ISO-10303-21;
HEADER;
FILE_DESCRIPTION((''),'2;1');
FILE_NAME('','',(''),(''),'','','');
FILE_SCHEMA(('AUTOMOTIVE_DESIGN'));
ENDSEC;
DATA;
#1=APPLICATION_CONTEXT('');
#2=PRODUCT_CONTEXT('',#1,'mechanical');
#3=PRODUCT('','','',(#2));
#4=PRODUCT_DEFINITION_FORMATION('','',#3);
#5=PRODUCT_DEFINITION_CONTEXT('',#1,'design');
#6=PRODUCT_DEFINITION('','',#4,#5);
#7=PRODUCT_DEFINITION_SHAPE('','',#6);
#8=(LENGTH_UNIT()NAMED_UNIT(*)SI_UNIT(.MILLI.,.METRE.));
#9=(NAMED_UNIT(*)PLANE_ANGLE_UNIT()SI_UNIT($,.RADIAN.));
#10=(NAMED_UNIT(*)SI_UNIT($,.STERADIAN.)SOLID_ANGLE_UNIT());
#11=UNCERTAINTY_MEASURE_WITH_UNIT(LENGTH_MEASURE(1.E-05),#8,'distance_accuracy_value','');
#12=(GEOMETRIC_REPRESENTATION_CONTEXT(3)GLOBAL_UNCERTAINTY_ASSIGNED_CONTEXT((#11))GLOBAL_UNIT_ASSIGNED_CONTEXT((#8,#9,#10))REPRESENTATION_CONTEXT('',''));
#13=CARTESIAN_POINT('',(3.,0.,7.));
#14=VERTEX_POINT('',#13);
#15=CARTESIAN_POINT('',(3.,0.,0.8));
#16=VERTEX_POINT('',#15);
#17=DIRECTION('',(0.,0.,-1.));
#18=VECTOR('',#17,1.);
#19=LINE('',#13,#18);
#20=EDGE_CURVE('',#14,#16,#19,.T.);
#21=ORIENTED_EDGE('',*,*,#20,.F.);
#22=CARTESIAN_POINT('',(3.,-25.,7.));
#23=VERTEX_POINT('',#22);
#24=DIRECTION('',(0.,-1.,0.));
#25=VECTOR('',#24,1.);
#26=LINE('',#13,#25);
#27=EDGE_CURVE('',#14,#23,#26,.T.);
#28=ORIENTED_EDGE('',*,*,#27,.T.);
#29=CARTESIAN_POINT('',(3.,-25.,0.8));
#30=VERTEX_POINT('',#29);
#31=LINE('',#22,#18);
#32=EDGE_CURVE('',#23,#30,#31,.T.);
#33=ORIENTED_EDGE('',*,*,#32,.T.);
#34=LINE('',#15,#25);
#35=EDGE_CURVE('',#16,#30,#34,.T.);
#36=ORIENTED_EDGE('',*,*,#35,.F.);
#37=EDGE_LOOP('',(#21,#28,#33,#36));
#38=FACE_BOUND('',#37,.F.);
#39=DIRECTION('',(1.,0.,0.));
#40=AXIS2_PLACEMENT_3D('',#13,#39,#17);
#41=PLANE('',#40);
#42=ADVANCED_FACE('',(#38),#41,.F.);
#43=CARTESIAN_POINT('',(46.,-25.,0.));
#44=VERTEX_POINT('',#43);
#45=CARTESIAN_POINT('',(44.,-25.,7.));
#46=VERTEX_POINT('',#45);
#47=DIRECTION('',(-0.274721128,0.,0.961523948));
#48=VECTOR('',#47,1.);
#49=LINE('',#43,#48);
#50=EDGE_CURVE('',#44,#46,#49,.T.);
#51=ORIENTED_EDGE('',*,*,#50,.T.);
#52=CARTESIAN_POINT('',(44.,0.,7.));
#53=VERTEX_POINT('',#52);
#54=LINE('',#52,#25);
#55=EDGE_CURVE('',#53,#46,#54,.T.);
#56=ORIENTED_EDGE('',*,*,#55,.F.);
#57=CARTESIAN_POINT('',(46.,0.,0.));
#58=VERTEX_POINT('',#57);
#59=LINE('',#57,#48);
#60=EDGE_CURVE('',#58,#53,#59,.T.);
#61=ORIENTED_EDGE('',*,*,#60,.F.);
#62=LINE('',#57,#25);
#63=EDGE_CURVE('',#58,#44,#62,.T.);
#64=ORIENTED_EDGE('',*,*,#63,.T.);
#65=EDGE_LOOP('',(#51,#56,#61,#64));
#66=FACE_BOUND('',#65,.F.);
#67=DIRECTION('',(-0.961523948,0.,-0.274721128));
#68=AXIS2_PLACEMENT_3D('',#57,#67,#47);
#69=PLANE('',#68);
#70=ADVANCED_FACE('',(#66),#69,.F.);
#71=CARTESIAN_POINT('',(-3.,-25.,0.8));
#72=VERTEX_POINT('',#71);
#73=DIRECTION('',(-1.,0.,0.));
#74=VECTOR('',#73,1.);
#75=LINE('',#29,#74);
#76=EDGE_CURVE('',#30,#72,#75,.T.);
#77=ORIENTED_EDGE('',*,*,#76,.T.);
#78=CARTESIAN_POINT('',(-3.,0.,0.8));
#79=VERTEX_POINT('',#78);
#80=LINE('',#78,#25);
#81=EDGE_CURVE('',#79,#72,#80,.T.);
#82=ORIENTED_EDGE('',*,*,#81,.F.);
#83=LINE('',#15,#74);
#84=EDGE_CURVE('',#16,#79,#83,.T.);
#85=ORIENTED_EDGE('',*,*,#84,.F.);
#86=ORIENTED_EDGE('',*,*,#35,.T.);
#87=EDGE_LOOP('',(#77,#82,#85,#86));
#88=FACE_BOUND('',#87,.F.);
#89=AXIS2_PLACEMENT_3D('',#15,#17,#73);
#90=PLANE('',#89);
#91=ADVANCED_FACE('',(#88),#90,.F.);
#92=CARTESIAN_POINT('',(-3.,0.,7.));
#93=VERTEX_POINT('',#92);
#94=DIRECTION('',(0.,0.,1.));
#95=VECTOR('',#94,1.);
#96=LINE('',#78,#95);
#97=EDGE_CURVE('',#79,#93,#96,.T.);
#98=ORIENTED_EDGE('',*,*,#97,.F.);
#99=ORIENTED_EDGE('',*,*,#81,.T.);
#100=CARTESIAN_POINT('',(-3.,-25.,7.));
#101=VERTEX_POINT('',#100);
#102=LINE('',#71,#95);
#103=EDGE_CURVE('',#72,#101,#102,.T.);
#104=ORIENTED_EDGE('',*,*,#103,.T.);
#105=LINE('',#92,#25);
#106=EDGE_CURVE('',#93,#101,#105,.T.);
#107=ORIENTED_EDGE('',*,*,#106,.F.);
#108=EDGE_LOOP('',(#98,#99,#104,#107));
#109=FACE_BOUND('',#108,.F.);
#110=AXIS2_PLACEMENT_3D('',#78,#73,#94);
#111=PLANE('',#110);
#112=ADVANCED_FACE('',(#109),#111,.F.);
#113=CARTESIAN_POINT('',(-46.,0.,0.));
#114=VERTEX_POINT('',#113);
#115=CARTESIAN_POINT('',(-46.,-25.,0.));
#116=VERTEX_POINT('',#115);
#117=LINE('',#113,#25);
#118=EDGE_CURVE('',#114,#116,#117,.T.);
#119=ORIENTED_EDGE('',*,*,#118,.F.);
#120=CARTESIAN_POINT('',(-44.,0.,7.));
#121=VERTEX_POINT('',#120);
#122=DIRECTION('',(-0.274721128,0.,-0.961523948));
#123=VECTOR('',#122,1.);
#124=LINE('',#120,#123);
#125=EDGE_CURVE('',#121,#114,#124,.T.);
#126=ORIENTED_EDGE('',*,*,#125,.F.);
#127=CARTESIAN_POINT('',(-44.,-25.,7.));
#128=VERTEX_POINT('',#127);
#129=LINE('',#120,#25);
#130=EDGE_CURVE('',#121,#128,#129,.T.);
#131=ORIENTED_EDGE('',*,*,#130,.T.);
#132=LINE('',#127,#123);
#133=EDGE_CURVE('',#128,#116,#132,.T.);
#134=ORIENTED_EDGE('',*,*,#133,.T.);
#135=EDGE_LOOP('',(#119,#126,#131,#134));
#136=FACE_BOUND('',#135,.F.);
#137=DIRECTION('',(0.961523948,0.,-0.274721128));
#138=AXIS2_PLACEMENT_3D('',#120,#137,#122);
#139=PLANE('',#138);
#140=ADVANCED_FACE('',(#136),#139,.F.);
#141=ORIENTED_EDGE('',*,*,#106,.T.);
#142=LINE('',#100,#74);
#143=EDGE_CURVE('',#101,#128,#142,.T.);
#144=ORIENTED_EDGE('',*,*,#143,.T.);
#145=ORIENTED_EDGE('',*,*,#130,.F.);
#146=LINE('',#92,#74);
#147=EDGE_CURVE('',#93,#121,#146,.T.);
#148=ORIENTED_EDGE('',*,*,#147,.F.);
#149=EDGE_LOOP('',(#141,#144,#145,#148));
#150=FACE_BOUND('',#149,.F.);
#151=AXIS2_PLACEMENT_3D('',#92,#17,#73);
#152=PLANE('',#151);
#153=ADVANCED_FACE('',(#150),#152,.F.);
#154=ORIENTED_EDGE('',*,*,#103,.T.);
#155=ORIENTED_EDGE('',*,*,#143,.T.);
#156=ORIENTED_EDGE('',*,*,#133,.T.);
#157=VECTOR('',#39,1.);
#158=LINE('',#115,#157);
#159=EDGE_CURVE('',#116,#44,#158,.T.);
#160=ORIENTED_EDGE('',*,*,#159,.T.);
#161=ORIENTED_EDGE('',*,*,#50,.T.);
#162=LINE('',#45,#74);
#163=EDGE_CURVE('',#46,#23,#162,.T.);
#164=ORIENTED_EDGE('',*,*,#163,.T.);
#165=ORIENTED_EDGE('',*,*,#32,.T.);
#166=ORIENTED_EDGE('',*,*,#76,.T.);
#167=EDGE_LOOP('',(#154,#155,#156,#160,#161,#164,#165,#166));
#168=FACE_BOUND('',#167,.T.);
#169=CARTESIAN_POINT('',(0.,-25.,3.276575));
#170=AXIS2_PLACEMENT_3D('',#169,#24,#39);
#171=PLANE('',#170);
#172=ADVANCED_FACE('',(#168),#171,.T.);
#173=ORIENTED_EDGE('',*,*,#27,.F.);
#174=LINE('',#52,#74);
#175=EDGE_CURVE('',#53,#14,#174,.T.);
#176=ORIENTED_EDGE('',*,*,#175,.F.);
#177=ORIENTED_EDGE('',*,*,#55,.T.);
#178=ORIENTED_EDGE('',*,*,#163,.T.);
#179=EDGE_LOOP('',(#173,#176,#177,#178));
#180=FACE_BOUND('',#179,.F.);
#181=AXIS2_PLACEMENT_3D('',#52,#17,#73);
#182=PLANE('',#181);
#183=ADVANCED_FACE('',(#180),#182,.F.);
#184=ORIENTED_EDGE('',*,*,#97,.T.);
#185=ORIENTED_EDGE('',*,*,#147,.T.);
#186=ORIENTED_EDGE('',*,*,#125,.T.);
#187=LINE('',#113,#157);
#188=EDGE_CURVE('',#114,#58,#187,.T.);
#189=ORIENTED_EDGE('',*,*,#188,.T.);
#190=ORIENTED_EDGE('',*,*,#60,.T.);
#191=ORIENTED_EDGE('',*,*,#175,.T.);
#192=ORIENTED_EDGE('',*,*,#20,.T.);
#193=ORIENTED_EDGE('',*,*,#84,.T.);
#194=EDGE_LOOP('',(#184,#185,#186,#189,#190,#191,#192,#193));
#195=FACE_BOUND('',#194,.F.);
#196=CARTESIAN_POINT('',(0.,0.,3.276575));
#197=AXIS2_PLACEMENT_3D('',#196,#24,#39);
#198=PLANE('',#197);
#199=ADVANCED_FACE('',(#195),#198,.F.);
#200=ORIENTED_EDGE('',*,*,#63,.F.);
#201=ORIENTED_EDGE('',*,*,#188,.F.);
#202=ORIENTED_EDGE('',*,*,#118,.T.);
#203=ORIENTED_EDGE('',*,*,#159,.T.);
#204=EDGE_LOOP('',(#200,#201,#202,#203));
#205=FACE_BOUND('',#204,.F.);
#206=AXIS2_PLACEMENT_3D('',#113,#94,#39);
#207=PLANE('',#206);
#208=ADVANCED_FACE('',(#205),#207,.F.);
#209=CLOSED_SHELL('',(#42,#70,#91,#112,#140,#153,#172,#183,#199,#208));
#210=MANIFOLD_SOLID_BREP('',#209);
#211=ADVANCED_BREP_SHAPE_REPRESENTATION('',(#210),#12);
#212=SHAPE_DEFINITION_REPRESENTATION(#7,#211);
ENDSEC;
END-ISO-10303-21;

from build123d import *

# Parameters (mm, degrees)
PAD_DEPTH = 25


with BuildPart() as part:
    # Sketch → Pad (new body)
    with BuildSketch(Plane.XZ):
        Polygon((-46, 0), (46, 0), (44, 7), (3, 7), (3, 0.8), (-3, 0.8), (-3, 7), (-44, 7), align=None)
    extrude(amount=PAD_DEPTH)


solid = part.part
